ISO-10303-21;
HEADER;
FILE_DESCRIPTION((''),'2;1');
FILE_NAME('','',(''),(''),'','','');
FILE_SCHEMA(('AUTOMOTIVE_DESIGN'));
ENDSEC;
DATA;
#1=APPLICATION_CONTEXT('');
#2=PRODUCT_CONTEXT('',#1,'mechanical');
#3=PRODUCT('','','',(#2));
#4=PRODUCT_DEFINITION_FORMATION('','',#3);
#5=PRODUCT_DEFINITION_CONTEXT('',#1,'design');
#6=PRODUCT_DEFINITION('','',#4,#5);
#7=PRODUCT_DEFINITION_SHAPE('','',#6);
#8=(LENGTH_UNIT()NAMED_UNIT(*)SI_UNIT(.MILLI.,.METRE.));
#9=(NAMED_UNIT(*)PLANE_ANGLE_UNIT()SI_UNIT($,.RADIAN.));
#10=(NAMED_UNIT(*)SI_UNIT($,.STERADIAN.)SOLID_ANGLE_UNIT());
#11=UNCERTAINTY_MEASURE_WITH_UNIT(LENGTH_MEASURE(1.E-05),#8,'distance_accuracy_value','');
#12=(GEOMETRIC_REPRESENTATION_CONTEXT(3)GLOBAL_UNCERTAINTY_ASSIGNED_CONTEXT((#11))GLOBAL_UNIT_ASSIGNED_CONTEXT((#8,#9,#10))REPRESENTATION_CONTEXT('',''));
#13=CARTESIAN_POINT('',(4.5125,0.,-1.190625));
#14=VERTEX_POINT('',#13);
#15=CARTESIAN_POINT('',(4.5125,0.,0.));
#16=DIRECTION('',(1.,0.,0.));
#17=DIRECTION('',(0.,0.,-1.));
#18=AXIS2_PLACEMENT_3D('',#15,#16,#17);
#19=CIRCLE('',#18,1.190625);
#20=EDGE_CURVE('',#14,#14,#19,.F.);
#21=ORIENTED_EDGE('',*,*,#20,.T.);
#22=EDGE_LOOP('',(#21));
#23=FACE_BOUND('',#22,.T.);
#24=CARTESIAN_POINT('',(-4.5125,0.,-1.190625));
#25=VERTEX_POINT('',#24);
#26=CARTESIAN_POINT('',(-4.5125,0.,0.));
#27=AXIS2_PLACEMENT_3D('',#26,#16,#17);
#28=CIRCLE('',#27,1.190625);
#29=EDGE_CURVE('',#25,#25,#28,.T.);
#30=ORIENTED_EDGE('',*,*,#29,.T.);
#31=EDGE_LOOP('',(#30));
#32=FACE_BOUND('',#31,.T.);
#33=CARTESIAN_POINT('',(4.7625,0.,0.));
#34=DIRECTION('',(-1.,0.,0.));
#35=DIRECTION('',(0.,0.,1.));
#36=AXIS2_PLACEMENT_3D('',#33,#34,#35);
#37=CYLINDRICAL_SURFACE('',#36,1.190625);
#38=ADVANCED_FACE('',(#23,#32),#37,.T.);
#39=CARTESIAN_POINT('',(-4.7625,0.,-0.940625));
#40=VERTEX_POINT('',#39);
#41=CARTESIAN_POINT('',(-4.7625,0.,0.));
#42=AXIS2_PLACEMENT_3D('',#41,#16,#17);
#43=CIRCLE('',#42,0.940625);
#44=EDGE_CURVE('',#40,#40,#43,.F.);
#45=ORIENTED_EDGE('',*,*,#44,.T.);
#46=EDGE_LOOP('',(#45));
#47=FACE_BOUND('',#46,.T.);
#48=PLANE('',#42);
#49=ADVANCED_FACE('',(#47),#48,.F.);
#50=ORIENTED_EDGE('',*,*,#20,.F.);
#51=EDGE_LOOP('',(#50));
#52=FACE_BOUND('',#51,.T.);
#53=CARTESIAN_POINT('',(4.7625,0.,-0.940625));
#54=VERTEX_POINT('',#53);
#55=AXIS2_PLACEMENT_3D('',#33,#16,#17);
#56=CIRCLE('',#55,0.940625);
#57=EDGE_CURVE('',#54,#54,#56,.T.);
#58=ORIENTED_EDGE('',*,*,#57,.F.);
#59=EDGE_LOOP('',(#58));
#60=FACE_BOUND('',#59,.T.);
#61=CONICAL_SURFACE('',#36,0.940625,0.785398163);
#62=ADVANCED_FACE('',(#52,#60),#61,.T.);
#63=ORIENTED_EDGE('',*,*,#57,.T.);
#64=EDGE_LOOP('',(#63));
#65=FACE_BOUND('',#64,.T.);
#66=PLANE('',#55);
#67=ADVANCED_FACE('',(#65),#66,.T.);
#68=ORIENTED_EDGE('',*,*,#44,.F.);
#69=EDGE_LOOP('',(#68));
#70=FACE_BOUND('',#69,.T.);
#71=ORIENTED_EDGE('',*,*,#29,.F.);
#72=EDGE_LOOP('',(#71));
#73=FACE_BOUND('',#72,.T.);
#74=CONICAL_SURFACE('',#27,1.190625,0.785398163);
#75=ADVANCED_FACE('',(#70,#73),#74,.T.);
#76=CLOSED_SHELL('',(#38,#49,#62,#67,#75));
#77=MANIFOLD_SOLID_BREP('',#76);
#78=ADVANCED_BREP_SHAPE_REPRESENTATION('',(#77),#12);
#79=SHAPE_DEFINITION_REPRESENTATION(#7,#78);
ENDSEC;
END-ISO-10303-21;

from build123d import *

# Parameters (mm, degrees)
SKETCH2_R           = 1.190625
BOSS_EXTRUDE1_DEPTH = 4.7625
CHAMFER1_SIZE       = 0.25


with BuildPart() as part:
    # Sketch2 → Boss-Extrude1 (new body, symmetric)
    with BuildSketch(Plane(origin=(0, 0, 0), x_dir=(0, 0, -1), z_dir=(1, 0, 0))):
        Circle(SKETCH2_R)
    extrude(amount=BOSS_EXTRUDE1_DEPTH, both=True)

    # Chamfer1
    chamfer1_edges = [part.edges().sort_by_distance(p)[0] for p in [
        (-4.7625, 0, 1.190625),
        (4.7625, 0, 1.190625),
    ]]
    chamfer(chamfer1_edges, length=CHAMFER1_SIZE)


solid = part.part
